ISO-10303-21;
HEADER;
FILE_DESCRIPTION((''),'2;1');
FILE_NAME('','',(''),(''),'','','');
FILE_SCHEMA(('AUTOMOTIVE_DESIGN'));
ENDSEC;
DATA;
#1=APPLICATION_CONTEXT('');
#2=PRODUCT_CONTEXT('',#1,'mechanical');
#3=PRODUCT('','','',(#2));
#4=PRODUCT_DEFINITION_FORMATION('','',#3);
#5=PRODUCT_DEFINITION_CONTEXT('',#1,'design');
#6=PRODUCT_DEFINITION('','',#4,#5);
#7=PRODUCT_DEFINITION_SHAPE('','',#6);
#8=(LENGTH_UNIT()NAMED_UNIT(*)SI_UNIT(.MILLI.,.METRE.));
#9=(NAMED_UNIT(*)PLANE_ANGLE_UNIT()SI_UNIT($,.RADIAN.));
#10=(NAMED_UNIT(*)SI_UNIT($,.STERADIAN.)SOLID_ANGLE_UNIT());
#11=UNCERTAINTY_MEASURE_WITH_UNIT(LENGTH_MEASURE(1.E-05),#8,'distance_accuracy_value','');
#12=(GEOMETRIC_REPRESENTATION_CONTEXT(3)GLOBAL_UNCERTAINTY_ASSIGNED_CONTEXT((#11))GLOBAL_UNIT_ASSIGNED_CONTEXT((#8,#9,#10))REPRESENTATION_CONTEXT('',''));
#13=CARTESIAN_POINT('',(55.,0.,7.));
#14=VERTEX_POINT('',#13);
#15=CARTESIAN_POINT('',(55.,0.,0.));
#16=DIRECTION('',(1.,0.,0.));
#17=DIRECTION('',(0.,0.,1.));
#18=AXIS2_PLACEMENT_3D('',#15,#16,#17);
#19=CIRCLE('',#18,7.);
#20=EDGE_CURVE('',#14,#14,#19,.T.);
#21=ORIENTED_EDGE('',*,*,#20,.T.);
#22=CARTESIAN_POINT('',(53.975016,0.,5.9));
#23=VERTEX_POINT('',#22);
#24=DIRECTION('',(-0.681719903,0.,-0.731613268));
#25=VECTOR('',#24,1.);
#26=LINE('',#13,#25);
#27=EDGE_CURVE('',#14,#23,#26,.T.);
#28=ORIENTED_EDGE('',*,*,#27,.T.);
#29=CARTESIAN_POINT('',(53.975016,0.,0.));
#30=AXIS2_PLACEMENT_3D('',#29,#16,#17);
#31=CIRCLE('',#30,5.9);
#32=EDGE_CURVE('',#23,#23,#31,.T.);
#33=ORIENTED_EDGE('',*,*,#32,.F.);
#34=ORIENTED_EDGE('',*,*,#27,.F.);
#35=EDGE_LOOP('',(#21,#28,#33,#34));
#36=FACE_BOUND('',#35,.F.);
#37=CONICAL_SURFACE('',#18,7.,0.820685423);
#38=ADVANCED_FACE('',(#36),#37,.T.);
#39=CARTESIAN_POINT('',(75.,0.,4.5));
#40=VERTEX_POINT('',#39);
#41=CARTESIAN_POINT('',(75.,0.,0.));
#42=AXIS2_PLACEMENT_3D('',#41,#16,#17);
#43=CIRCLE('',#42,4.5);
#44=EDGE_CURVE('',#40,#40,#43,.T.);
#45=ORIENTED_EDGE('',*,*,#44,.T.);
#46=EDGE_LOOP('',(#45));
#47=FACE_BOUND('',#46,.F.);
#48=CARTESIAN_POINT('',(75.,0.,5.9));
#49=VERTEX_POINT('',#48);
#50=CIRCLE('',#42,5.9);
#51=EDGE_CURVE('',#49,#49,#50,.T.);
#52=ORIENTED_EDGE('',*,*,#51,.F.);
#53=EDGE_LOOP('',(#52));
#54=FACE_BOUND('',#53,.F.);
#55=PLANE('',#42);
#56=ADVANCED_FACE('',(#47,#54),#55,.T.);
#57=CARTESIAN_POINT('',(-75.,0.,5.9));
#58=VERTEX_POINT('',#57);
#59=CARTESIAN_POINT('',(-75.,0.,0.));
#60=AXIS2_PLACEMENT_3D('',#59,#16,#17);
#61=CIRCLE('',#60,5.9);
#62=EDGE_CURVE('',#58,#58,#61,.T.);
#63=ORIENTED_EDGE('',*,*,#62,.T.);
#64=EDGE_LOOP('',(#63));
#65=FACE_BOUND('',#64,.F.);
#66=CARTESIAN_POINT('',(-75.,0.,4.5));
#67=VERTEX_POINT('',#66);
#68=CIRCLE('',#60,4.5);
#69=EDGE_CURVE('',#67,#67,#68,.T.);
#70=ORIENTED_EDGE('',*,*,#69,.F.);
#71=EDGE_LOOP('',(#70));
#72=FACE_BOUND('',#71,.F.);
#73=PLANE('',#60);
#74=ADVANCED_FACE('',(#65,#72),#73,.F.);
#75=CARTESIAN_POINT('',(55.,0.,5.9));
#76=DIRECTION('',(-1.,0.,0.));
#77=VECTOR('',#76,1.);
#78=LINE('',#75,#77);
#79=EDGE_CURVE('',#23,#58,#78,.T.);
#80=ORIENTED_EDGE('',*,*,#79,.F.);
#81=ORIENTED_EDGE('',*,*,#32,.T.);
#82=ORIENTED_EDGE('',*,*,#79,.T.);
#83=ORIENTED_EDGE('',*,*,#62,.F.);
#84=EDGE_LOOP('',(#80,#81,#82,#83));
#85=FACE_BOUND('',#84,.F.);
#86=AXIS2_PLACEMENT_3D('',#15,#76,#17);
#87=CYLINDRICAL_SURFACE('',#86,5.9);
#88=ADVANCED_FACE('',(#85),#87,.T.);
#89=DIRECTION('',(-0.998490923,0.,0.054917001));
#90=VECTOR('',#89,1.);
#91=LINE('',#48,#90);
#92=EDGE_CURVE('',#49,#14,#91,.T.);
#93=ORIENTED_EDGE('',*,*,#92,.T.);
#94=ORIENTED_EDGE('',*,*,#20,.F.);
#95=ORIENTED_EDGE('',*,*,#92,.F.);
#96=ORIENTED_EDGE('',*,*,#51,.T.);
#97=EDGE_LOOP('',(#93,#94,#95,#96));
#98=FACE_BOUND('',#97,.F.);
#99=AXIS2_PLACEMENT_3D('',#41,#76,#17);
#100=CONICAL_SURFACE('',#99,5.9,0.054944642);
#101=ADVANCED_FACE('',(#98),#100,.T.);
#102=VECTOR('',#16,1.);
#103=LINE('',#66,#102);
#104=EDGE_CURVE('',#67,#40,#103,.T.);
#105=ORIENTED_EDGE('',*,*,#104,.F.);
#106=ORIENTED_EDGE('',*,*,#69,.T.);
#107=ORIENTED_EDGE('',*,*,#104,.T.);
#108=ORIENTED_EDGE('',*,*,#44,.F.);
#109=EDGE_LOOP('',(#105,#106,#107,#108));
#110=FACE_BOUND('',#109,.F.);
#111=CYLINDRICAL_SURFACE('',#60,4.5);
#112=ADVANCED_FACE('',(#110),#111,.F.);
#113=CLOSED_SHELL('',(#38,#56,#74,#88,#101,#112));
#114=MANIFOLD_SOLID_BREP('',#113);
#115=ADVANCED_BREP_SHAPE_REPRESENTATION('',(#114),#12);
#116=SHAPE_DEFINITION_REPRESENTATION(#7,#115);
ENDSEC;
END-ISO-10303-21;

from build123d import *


with BuildPart() as f1:
    # F0 (on Front) → F1 (revolve)
    with BuildSketch(Plane.XZ):
        Polygon((-75, 5.9), (-75, 4.5), (75, 4.5), (75, 5.9), (55, 7), (55, 5.9), (53.975016, 5.9), align=None)
        Polygon((55, 7), (53.975016, 5.9), (55, 5.9), align=None)
    revolve(axis=Axis((0, 0, 0), (1, 0, 0)))


solid = f1.part
